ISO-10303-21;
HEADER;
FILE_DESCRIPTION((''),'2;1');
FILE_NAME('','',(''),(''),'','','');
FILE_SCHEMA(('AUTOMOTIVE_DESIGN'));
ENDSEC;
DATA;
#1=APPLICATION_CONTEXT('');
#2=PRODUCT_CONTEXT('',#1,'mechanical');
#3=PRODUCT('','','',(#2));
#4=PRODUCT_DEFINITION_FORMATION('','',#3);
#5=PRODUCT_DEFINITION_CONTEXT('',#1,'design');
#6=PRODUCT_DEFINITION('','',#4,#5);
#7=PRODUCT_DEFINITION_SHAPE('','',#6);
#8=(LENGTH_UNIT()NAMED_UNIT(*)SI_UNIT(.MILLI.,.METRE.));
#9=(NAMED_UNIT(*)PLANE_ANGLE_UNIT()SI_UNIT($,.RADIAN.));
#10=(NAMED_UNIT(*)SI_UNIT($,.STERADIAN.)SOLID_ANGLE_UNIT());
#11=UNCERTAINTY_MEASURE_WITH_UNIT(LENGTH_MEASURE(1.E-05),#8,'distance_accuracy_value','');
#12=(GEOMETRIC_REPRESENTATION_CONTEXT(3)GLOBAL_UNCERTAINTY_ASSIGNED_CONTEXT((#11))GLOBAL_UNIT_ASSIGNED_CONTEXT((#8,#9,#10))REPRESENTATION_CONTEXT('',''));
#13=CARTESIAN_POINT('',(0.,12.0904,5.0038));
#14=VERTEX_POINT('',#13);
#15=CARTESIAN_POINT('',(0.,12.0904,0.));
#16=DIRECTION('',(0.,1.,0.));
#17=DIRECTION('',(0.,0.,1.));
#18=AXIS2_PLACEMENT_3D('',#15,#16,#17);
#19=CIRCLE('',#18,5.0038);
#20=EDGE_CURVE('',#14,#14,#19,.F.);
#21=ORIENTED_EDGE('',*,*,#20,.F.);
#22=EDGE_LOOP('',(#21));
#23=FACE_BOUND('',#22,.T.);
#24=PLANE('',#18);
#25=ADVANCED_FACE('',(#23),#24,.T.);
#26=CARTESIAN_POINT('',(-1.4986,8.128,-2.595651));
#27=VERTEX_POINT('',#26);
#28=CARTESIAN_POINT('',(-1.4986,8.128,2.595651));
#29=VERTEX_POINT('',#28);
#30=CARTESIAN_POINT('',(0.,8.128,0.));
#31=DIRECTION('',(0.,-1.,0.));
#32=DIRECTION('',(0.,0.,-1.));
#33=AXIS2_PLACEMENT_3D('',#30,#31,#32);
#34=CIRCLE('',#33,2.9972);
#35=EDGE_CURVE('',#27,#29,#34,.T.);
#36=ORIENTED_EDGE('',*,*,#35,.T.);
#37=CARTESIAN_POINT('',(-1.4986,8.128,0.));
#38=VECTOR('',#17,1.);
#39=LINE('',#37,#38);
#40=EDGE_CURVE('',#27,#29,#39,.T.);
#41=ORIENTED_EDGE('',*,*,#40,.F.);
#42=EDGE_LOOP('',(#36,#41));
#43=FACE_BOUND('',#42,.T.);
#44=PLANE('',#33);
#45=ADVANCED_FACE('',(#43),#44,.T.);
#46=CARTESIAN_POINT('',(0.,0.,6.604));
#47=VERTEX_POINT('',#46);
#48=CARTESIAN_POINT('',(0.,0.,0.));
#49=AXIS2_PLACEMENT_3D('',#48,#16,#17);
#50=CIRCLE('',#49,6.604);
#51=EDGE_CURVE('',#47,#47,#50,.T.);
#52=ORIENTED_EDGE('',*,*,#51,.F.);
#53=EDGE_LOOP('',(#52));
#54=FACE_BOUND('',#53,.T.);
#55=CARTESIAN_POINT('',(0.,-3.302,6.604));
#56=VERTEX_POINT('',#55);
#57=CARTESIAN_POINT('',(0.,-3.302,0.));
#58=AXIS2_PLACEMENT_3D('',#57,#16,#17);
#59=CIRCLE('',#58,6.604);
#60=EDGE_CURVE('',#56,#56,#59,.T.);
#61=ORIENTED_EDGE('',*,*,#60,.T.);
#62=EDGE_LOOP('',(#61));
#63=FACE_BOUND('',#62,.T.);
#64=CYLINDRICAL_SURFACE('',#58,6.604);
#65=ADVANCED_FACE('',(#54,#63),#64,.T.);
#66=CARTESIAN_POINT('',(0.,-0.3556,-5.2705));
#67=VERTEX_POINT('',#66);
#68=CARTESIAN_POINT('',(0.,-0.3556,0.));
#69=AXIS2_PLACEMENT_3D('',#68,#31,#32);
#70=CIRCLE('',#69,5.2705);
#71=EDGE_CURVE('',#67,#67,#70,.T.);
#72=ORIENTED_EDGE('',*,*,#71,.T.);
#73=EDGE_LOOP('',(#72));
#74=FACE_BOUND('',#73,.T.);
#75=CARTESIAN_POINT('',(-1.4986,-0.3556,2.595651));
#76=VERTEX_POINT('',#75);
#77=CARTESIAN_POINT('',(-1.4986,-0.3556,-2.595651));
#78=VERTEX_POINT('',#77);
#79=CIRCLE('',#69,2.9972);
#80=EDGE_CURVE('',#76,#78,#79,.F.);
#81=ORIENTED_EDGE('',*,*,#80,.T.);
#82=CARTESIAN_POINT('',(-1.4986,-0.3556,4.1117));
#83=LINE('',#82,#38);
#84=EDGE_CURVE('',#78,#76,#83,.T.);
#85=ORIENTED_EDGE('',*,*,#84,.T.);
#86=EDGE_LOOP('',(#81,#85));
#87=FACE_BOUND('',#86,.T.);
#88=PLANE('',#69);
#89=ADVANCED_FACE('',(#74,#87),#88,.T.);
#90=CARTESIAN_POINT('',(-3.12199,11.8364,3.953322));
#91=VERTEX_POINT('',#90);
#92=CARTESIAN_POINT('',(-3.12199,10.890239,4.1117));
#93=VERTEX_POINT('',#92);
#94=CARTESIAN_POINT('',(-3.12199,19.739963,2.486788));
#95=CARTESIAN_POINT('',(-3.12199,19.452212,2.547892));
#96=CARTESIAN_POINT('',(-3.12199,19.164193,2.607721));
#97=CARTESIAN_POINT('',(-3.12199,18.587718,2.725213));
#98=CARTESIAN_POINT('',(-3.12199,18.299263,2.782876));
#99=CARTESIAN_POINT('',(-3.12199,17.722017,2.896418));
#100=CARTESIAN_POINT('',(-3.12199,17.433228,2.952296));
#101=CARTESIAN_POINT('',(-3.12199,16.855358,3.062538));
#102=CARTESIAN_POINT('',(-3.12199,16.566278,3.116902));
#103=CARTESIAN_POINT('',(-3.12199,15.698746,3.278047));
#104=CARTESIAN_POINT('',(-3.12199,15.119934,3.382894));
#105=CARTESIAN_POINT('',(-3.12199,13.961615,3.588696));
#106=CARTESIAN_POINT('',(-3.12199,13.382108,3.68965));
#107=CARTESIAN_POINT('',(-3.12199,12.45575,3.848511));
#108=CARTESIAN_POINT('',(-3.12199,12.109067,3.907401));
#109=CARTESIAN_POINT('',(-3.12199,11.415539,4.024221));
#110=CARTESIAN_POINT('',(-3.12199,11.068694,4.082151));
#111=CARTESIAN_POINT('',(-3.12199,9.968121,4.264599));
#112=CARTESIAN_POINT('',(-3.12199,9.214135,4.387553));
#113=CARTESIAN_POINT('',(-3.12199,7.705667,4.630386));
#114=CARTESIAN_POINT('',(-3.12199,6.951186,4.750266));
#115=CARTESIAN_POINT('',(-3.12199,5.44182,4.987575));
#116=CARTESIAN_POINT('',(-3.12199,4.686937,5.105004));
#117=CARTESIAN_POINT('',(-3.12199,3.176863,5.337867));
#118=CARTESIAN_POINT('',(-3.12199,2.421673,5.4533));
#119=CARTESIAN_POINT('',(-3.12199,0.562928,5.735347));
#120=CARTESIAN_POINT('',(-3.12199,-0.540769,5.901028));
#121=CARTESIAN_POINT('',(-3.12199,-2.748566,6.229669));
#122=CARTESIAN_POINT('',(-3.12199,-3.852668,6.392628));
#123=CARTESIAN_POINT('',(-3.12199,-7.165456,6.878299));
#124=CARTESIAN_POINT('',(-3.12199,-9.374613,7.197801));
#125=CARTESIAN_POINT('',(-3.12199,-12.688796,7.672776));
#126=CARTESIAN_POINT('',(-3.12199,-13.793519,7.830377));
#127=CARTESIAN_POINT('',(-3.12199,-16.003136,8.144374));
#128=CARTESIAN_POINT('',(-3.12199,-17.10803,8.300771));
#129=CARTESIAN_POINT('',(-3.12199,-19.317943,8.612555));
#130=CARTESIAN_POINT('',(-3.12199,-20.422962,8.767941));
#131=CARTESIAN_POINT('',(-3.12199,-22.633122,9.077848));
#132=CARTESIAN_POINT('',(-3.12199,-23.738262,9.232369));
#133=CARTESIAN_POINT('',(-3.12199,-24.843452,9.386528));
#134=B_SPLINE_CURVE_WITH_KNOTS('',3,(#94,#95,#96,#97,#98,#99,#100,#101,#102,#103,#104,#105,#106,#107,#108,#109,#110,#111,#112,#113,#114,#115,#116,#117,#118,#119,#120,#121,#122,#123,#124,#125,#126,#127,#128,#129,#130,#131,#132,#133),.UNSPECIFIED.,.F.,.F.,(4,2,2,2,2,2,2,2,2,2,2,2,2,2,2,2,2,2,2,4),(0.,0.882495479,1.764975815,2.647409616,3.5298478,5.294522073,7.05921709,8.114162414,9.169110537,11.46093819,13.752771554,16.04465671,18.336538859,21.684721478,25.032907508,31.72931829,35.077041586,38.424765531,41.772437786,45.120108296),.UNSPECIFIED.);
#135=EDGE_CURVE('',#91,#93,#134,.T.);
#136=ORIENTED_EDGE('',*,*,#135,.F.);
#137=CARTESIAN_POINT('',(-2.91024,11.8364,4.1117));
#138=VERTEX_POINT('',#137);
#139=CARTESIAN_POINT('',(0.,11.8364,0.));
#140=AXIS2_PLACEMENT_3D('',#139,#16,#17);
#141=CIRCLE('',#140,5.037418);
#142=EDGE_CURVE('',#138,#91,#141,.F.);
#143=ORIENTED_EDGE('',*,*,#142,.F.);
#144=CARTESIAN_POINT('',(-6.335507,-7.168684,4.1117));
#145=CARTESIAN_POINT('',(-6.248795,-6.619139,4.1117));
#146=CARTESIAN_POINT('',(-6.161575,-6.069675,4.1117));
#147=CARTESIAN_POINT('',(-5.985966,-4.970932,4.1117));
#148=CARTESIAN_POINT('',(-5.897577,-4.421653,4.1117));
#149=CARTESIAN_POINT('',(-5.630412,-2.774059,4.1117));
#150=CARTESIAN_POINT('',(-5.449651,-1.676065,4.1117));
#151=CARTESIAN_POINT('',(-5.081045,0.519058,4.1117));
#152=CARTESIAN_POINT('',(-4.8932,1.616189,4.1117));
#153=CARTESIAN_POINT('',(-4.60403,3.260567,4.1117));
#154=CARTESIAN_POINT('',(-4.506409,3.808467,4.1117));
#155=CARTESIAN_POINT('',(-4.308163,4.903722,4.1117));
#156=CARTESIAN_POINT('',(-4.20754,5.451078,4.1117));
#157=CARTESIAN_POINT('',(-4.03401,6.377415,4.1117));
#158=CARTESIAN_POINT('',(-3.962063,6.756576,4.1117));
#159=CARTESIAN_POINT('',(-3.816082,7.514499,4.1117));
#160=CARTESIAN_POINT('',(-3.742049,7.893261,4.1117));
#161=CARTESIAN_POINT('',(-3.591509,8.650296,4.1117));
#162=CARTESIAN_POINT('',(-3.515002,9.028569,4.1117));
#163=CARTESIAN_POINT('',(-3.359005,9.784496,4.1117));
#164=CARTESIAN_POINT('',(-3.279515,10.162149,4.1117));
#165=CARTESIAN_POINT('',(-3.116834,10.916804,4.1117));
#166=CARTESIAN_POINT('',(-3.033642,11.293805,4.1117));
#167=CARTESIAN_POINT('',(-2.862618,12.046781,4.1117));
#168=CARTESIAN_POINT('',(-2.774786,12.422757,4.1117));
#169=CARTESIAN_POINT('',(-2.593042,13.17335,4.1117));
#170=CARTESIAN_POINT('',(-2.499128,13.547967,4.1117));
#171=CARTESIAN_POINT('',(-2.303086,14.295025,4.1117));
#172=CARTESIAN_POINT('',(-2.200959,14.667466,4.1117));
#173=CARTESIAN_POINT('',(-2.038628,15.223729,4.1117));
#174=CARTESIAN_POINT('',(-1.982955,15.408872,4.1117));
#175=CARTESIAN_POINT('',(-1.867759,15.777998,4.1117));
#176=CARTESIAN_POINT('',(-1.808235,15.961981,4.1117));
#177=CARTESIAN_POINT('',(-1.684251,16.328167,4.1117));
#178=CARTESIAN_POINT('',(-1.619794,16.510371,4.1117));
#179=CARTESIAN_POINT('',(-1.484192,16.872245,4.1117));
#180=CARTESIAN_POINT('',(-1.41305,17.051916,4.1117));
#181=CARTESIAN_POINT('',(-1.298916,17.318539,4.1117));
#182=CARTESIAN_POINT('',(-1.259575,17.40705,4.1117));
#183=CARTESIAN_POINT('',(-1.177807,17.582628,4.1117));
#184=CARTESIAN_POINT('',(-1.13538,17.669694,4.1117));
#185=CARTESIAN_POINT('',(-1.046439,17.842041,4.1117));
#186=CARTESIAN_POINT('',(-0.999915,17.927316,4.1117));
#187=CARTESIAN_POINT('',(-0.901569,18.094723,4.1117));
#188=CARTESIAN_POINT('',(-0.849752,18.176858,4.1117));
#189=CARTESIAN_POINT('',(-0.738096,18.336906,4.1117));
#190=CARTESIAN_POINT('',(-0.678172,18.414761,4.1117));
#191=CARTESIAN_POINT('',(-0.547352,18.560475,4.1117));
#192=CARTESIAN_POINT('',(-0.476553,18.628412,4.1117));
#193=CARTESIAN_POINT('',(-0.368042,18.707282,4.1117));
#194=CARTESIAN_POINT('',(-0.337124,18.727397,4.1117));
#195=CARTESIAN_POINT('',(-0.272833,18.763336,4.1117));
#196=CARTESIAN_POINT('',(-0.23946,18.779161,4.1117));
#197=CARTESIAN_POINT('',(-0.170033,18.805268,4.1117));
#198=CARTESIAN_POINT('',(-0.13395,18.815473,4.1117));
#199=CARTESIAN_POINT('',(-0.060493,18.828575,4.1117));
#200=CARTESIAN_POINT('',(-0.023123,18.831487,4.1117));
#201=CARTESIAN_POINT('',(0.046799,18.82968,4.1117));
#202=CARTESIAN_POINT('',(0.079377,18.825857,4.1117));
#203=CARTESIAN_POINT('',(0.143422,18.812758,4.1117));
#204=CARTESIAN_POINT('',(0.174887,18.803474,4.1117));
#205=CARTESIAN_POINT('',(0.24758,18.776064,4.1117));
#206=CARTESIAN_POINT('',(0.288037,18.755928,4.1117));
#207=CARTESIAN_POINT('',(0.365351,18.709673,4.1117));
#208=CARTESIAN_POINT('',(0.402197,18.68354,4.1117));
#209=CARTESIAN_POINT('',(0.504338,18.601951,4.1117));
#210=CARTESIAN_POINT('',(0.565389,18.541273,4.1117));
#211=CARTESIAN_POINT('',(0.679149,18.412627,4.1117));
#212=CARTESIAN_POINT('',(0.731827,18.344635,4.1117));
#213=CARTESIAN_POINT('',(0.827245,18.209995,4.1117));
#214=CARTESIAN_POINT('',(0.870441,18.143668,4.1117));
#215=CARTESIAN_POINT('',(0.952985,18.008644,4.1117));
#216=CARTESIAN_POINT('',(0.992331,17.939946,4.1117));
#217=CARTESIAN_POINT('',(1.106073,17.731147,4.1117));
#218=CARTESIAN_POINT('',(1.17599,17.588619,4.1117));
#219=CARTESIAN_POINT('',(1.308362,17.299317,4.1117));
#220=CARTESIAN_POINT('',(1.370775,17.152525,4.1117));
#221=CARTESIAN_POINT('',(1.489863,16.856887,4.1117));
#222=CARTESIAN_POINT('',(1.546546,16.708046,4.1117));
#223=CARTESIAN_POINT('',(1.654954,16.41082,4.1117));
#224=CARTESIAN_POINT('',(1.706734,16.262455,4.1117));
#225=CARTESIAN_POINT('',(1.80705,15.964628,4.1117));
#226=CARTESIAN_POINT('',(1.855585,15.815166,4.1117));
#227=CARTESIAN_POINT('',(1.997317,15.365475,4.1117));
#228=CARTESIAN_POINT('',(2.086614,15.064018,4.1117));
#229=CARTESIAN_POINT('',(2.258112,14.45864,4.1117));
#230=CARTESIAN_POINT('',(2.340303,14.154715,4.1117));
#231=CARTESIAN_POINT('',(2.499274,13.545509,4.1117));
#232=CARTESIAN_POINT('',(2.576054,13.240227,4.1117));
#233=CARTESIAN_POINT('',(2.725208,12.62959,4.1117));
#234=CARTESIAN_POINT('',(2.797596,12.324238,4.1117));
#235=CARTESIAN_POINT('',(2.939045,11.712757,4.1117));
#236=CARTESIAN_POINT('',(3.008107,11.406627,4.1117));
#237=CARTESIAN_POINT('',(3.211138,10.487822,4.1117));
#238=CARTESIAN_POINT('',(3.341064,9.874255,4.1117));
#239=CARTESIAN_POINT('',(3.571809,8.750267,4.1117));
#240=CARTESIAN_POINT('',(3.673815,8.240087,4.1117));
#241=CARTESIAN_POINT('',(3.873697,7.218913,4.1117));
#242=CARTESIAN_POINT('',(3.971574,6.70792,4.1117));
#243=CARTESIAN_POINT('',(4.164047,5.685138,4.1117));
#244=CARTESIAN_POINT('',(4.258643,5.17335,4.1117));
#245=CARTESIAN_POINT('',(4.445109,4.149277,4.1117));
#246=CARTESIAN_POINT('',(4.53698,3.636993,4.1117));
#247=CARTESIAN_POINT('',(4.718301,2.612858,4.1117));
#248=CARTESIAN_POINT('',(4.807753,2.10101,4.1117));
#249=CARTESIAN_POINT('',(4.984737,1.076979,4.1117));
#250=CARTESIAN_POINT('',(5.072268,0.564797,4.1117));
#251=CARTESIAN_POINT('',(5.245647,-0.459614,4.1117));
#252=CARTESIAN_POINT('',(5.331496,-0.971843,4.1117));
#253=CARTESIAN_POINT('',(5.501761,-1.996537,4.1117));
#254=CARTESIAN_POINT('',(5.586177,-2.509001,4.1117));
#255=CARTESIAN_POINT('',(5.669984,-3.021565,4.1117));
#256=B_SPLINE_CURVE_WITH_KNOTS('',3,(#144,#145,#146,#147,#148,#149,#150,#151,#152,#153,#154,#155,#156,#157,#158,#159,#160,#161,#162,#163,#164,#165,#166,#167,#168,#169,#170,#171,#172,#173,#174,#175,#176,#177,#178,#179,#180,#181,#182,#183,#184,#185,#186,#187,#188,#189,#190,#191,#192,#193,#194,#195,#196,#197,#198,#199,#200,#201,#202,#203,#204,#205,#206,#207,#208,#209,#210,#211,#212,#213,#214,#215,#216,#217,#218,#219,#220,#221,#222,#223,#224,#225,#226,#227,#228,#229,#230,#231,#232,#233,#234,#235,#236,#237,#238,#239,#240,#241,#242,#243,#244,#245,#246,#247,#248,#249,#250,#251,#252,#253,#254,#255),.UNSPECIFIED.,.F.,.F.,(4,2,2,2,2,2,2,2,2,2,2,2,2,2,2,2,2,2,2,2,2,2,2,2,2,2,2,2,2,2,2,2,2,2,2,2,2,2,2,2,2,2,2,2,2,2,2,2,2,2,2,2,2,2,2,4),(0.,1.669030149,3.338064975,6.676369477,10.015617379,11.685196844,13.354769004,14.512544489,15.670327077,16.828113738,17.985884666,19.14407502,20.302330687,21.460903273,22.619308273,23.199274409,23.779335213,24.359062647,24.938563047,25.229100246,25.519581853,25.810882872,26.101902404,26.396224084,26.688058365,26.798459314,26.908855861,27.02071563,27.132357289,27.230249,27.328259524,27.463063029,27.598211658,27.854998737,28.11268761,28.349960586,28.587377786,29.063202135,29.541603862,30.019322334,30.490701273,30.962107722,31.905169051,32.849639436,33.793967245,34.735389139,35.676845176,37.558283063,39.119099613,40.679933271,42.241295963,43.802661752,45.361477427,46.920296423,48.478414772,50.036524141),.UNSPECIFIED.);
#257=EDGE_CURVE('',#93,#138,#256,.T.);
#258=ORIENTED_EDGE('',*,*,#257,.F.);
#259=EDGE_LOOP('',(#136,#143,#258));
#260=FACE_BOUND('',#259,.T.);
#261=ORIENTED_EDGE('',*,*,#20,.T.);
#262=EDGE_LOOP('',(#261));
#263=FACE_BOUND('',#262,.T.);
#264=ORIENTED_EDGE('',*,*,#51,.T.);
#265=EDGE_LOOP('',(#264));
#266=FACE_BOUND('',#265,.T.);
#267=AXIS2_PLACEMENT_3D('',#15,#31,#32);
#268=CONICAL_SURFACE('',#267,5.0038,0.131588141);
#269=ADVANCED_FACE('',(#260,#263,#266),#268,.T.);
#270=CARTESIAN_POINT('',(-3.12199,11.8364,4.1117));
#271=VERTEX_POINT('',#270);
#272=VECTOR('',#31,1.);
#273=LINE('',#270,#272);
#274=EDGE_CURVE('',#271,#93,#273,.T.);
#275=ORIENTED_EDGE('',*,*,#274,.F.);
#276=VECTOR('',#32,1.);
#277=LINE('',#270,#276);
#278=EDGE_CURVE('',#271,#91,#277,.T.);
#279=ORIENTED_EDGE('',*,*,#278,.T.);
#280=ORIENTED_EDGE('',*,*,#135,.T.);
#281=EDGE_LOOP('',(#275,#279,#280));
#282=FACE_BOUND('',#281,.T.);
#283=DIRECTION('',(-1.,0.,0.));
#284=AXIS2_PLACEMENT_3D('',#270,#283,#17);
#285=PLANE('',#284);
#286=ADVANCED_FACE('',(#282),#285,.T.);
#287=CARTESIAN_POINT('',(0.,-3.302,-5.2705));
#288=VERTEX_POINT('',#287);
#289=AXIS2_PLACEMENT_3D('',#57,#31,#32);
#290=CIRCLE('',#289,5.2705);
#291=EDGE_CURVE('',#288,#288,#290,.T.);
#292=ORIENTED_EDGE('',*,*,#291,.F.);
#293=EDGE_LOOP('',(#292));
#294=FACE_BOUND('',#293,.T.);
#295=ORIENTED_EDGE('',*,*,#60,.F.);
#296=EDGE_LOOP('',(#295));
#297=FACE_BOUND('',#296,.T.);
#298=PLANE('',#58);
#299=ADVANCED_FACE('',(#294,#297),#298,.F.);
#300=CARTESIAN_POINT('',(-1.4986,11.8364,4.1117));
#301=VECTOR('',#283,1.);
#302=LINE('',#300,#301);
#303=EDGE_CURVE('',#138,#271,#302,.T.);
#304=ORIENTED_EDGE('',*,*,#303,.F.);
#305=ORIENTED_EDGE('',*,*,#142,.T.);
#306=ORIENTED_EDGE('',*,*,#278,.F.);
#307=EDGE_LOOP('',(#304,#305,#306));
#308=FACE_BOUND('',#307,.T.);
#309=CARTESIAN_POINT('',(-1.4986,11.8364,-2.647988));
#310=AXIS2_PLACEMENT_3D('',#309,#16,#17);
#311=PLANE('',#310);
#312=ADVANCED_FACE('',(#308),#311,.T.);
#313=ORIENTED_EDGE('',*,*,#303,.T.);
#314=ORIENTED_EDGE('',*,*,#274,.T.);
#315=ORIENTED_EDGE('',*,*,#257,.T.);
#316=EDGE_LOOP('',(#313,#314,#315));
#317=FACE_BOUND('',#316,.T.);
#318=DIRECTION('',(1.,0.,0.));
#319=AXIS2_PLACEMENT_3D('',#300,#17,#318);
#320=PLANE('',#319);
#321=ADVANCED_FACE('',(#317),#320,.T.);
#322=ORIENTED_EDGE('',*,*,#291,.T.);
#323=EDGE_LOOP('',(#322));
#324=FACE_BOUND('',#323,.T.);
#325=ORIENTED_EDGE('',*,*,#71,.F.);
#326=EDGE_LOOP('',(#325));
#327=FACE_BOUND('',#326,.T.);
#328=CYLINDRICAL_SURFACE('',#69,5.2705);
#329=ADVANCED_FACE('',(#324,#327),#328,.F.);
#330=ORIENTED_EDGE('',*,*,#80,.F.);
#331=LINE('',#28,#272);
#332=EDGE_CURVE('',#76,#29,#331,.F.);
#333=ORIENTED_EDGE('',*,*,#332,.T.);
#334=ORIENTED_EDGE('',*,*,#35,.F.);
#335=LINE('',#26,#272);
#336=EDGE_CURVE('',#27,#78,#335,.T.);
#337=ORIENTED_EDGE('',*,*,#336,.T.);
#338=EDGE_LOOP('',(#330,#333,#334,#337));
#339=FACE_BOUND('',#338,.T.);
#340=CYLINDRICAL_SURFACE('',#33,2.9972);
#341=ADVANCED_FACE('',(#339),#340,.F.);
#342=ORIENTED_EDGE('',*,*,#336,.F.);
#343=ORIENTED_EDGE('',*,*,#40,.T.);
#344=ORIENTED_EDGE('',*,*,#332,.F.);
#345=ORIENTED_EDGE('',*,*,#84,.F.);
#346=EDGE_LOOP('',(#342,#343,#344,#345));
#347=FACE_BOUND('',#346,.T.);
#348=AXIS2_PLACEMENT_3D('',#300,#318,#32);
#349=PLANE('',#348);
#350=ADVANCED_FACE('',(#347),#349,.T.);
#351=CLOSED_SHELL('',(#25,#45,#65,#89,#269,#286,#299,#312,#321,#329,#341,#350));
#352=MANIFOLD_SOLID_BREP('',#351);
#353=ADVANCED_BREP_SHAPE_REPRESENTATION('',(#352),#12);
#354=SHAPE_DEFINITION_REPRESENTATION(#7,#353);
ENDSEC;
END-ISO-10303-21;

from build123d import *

# Parameters (mm, degrees)
SKETCH1_R           = 5.0038
BOSS_EXTRUDE1_DEPTH = 12.0904
SKETCH1_5_R         = 6.604
SKETCH1_6_R         = 6.604
BOSS_EXTRUDE2_DEPTH = 3.302
SKETCH2_R           = 2.9972
CUT_EXTRUDE1_DEPTH  = 11.43
SKETCH3_R           = 5.2705
CUT_EXTRUDE2_DEPTH  = 2.9464
SKETCH4_W           = 1.623389838
SKETCH4_H           = 6.759688833
BOSS_EXTRUDE3_DEPTH = 12.192


with BuildPart() as part:
    # Sketch1 → Boss-Extrude1 (new body)
    with BuildSketch(Plane(origin=(0, 0, 0), x_dir=(1, 0, 0), z_dir=(0, 1, 0))):
        Circle(SKETCH1_R)
    extrude(amount=BOSS_EXTRUDE1_DEPTH)

    # Sketch1<5> → section 0 of loft1
    with BuildSketch(Plane(origin=(0, 0, 0), x_dir=(1, 0, 0), z_dir=(0, 1, 0)), mode=Mode.PRIVATE) as loft1_s0:
        Circle(SKETCH1_5_R)
    # loft up to a face of the part (loft1)
    loft([loft1_s0.sketch, Face(Wire([part.edges().sort_by_distance((-3.425336809, 12.0904, -3.647613218))[0]]))])

    # Sketch1<6> → Boss-Extrude2 (add)
    with BuildSketch(Plane(origin=(0, 0, 0), x_dir=(1, 0, 0), z_dir=(0, 1, 0))):
        Circle(SKETCH1_6_R)
    extrude(amount=-BOSS_EXTRUDE2_DEPTH)

    # Sketch2 → Cut-Extrude1 (cut)
    with BuildSketch(Plane.XZ.offset(3.302)):
        Circle(SKETCH2_R)
    extrude(amount=-CUT_EXTRUDE1_DEPTH, mode=Mode.SUBTRACT)

    # Sketch3 → Cut-Extrude2 (cut)
    with BuildSketch(Plane.XZ.offset(3.302)):
        Circle(SKETCH3_R)
    extrude(amount=-CUT_EXTRUDE2_DEPTH, mode=Mode.SUBTRACT)

    # Sketch4 → Boss-Extrude3 (add)
    with BuildSketch(Plane.XZ.offset(0.3556)):
        with Locations((-2.310294919, 0.731856075)):
            Rectangle(SKETCH4_W, SKETCH4_H)
    extrude(amount=-BOSS_EXTRUDE3_DEPTH)


solid = part.part
